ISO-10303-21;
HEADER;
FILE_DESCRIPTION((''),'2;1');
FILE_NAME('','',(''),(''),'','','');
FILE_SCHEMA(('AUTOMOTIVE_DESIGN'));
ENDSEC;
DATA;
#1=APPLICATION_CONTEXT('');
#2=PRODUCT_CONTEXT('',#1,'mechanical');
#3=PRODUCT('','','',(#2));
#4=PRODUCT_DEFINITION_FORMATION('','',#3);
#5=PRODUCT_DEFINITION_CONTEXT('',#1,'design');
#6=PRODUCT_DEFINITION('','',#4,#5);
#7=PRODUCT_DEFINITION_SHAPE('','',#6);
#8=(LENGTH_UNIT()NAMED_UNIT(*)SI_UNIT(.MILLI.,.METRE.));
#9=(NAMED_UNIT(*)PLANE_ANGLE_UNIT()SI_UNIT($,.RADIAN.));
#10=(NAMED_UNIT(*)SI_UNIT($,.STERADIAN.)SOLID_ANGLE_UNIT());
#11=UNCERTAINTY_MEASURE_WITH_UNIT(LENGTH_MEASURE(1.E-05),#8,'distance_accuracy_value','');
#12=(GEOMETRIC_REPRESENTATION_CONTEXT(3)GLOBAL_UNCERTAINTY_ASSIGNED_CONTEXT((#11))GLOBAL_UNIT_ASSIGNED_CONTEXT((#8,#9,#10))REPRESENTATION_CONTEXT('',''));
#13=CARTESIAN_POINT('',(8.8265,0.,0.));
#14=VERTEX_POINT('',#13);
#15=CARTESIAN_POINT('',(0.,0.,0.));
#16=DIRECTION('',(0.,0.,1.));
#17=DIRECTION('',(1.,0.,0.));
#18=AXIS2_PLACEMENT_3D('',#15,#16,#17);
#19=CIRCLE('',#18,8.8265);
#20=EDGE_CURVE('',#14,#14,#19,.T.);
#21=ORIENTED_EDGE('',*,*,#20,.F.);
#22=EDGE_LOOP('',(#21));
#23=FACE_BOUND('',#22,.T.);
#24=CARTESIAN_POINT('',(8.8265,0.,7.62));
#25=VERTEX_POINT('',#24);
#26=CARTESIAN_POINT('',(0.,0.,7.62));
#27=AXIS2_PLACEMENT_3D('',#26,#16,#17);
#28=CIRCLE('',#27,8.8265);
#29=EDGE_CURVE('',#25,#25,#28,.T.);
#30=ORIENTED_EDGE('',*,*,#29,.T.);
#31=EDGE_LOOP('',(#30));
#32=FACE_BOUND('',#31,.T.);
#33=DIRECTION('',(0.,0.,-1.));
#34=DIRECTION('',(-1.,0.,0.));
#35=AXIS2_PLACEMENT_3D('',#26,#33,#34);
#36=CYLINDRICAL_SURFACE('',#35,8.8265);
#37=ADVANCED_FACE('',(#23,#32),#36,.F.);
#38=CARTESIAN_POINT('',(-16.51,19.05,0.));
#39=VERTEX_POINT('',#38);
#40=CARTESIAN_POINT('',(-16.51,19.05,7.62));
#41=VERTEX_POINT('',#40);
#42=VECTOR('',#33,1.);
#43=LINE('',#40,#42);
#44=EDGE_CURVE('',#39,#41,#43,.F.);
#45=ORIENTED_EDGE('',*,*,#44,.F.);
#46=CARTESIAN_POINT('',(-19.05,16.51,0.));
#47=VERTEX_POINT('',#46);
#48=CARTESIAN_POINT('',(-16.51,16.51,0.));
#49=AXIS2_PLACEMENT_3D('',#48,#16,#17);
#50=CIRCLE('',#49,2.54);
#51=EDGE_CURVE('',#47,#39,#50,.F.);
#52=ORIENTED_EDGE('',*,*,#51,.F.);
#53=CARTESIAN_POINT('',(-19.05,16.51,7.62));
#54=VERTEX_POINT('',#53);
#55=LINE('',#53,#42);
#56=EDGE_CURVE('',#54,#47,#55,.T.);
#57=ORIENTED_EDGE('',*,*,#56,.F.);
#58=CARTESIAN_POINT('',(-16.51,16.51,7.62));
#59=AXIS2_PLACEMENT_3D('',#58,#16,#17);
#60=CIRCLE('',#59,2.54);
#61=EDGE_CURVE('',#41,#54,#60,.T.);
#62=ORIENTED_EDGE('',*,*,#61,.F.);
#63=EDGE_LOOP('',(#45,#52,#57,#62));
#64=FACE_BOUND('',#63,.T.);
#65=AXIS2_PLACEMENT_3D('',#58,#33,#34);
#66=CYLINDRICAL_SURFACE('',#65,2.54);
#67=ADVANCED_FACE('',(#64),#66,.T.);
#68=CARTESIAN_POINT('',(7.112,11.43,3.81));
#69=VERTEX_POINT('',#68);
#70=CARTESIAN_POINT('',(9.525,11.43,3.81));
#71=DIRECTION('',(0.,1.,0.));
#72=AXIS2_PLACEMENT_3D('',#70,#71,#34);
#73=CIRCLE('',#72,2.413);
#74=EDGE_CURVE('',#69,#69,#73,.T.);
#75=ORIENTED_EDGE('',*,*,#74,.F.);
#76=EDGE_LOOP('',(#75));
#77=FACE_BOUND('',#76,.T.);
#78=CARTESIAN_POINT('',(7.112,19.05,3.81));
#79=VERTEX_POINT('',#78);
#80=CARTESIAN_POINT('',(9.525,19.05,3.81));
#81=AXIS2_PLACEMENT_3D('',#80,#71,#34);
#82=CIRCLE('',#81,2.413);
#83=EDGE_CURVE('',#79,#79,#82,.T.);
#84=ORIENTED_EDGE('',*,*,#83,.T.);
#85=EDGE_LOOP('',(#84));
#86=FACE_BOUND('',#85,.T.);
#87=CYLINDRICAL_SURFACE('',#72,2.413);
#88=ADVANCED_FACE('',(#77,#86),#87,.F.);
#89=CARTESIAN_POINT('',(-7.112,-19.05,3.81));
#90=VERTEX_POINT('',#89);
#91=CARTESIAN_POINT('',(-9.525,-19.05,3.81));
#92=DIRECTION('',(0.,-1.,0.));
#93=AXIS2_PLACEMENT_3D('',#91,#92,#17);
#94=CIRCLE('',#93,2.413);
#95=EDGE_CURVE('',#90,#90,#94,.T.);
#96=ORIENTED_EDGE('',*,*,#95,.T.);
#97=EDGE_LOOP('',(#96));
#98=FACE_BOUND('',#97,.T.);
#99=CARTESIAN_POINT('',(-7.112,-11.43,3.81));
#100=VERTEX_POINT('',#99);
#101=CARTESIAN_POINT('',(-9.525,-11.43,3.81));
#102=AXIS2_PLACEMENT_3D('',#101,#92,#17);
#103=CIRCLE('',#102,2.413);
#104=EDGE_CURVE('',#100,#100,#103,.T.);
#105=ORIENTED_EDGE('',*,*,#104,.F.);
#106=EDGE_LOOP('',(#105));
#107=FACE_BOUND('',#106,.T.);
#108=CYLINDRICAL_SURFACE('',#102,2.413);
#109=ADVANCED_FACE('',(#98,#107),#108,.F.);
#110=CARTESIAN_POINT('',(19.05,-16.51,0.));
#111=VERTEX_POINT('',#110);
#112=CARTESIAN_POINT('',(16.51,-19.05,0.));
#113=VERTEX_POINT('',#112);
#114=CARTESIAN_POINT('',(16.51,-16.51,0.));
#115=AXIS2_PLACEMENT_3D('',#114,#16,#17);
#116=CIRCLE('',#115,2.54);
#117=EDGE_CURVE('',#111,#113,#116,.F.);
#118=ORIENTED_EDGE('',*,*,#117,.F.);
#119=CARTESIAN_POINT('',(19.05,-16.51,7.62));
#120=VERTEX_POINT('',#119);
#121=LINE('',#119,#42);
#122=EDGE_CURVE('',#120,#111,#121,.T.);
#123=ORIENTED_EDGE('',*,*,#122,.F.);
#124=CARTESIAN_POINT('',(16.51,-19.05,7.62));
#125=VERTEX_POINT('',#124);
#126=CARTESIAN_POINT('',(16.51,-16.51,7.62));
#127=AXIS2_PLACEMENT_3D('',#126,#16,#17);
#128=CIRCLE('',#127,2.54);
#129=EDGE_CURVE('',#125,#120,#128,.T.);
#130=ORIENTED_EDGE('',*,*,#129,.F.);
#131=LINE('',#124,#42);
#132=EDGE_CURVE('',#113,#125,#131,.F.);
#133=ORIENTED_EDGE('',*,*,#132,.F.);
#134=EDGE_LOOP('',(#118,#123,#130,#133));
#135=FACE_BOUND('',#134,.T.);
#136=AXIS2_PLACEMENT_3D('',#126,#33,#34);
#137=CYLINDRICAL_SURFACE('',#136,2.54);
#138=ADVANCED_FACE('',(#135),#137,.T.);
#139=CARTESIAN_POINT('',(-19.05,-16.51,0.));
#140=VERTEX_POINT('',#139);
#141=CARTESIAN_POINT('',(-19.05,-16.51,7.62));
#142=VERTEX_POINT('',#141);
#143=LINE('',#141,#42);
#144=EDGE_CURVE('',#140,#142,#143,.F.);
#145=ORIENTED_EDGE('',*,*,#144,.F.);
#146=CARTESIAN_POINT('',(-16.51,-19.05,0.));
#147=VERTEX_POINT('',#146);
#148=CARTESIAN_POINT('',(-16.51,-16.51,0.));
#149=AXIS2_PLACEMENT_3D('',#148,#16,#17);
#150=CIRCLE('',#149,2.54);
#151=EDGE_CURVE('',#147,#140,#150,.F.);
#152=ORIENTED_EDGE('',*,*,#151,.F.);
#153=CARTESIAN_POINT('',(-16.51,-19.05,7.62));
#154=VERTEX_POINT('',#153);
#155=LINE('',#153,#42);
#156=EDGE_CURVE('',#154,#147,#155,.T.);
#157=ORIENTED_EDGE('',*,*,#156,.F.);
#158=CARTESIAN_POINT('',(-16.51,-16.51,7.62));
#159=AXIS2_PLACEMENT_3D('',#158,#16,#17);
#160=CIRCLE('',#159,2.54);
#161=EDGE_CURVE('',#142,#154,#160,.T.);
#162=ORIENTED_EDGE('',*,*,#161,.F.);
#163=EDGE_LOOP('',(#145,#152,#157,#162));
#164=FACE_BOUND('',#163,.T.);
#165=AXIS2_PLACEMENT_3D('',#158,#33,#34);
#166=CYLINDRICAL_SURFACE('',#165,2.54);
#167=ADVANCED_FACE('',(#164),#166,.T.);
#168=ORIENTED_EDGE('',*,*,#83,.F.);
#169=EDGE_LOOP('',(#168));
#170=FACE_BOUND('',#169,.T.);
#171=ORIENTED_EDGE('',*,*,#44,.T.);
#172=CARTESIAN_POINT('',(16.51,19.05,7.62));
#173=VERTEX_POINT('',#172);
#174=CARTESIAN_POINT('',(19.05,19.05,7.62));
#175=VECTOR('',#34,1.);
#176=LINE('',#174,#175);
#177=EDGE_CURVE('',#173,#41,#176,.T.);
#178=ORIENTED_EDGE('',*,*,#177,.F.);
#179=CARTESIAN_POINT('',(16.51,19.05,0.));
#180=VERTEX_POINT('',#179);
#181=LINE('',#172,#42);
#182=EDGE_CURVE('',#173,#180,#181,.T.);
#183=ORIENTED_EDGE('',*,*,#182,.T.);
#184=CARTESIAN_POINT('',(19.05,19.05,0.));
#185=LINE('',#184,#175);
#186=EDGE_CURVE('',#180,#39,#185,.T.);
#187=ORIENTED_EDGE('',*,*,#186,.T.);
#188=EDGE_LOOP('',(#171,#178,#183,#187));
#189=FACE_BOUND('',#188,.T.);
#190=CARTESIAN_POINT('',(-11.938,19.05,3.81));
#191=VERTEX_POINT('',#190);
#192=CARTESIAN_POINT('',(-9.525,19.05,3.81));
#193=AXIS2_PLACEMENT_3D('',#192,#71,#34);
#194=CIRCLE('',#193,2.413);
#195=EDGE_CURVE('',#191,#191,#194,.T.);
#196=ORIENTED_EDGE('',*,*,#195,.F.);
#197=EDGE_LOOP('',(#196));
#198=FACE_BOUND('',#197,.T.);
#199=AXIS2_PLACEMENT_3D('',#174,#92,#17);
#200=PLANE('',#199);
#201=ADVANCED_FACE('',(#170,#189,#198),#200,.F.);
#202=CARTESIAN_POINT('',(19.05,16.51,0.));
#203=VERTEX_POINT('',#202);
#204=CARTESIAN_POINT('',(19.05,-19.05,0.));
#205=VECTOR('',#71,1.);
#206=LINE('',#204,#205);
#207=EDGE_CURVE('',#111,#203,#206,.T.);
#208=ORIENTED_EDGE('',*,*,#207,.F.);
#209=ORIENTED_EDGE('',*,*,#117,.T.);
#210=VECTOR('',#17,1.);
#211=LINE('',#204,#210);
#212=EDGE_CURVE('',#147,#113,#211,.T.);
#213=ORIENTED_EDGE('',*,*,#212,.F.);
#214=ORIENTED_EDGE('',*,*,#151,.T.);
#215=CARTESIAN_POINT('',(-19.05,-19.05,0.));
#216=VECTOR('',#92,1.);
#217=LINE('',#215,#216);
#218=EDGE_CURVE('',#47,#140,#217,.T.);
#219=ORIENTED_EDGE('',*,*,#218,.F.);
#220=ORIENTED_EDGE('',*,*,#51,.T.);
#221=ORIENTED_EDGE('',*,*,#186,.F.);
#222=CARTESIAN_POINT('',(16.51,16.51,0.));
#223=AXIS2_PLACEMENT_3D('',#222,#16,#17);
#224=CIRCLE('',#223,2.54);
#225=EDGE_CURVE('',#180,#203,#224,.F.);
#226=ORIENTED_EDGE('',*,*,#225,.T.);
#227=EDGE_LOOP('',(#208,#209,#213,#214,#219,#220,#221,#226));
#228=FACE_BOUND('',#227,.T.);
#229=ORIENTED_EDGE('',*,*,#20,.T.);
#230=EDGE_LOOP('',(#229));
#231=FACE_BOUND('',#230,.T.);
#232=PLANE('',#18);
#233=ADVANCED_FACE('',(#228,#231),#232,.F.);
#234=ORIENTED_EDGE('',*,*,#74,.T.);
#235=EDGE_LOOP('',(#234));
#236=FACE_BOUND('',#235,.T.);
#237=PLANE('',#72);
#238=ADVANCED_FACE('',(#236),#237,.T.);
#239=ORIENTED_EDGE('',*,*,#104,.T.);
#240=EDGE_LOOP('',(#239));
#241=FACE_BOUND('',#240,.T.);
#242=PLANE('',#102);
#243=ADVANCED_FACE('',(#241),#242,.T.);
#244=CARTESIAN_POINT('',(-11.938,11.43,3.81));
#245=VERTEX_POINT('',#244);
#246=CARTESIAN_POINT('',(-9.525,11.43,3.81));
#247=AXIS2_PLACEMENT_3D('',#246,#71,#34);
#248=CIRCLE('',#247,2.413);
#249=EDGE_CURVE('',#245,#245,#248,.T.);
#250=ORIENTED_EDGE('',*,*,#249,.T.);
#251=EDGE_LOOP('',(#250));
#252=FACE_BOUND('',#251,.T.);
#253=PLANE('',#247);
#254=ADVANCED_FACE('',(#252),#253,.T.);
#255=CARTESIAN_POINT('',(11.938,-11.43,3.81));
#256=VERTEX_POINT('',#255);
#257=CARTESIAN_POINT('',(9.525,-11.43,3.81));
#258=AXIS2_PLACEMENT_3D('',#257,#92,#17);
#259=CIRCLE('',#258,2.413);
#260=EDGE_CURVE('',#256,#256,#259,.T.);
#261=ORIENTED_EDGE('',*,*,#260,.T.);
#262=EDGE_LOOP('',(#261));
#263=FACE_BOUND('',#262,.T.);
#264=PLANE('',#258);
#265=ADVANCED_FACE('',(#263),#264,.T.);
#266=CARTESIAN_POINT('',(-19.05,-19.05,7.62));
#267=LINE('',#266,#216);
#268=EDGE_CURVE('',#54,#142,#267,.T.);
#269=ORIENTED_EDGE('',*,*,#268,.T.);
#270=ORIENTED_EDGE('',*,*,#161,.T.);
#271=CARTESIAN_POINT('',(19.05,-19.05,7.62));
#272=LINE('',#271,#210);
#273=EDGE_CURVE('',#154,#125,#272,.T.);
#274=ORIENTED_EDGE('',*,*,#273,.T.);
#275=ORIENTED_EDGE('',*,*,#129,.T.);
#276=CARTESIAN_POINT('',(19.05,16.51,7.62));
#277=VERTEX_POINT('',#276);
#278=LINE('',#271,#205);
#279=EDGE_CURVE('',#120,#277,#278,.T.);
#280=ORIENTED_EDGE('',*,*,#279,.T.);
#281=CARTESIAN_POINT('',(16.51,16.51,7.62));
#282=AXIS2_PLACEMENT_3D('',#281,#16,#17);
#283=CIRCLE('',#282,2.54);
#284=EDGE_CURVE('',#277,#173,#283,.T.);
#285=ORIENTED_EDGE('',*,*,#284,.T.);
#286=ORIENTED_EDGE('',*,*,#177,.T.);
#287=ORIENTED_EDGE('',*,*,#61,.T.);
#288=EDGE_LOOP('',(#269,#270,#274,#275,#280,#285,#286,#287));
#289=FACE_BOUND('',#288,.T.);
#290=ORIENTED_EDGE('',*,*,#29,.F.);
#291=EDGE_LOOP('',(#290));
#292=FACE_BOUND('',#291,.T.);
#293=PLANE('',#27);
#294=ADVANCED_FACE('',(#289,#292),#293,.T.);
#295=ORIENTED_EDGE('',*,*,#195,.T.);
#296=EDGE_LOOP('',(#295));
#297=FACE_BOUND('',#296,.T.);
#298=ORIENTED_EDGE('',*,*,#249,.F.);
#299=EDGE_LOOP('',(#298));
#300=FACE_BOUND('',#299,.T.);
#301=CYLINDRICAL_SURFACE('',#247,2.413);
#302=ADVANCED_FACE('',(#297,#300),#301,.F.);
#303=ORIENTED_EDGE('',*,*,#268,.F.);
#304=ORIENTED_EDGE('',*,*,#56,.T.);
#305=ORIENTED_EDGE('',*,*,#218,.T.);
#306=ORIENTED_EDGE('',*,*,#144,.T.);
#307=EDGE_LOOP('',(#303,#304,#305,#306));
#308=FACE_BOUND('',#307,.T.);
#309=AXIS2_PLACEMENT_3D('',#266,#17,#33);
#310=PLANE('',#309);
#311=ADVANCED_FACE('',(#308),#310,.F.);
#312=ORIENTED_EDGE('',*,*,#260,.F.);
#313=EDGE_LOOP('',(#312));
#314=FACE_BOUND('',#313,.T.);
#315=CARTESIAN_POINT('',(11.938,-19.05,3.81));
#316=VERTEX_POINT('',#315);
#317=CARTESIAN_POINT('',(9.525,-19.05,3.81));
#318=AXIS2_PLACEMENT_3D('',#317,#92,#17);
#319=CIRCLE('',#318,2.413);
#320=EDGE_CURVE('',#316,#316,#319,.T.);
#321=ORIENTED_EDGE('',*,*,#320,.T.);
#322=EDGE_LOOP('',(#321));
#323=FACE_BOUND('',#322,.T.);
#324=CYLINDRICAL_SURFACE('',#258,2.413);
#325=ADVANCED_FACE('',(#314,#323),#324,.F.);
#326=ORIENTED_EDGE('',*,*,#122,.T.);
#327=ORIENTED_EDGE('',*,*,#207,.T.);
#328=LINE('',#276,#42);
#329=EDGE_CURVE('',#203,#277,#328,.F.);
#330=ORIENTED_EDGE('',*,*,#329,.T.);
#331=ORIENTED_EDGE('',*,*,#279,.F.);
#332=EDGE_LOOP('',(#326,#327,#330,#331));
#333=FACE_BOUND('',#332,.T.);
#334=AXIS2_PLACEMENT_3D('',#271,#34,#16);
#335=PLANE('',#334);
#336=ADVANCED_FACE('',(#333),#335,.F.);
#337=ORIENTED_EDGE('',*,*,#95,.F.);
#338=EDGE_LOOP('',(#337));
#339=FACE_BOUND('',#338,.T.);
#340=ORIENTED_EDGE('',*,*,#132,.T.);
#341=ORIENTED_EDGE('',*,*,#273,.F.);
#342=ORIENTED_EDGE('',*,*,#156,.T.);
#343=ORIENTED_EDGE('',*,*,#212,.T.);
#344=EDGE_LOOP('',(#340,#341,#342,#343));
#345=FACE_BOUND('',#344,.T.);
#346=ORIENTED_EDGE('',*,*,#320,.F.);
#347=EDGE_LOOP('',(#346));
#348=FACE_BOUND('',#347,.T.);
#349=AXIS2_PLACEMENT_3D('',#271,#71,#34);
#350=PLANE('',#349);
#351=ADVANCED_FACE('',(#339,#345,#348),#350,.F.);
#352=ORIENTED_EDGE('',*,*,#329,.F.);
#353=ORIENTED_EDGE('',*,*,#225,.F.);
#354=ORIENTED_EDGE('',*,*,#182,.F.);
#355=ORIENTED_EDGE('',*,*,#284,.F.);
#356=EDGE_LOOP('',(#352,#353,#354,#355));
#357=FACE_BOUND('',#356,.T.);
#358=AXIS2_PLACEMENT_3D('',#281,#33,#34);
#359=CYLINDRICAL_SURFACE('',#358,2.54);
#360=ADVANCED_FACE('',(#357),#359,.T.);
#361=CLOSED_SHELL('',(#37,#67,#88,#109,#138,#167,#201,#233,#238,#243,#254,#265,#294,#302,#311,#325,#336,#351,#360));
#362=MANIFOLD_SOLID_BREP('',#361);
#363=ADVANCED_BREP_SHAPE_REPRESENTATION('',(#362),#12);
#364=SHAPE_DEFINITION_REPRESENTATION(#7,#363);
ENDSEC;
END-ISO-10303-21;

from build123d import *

# Parameters (mm, degrees)
SKETCH1_W           = 38.1
SKETCH1_H           = 38.1
SKETCH1_R           = 8.8265
BOSS_EXTRUDE1_DEPTH = 7.62
FILLET1_R           = 2.54
SKETCH2_R           = 2.413
CUT_EXTRUDE1_DEPTH  = 7.62
SKETCH3_R           = 2.413
CUT_EXTRUDE2_DEPTH  = 7.62


with BuildPart() as part:
    # Sketch1 → Boss-Extrude1 (new body)
    with BuildSketch(Plane.XY):
        Rectangle(SKETCH1_W, SKETCH1_H)
        Circle(SKETCH1_R, mode=Mode.SUBTRACT)
    extrude(amount=BOSS_EXTRUDE1_DEPTH)

    # Fillet1
    fillet1_edges = [part.edges().sort_by_distance(p)[0] for p in [
        (-19.05, 19.05, 3.81),
        (19.05, 19.05, 3.81),
        (19.05, -19.05, 3.81),
        (-19.05, -19.05, 3.81),
    ]]
    fillet(fillet1_edges, radius=FILLET1_R)

    # Sketch2 → Cut-Extrude1 (cut)
    with BuildSketch(Plane.XZ.offset(19.05)):
        with Locations((9.525, 3.81)):
            Circle(SKETCH2_R)
        with Locations((-9.525, 3.81)):
            Circle(SKETCH2_R)
    extrude(amount=-CUT_EXTRUDE1_DEPTH, mode=Mode.SUBTRACT)

    # Sketch3 → Cut-Extrude2 (cut)
    with BuildSketch(Plane(origin=(0, 19.05, 0), x_dir=(1, 0, 0), z_dir=(0, 1, 0))):
        with Locations((-9.525, -3.81)):
            Circle(SKETCH3_R)
        with Locations((9.525, -3.81)):
            Circle(SKETCH3_R)
    extrude(amount=-CUT_EXTRUDE2_DEPTH, mode=Mode.SUBTRACT)


solid = part.part
